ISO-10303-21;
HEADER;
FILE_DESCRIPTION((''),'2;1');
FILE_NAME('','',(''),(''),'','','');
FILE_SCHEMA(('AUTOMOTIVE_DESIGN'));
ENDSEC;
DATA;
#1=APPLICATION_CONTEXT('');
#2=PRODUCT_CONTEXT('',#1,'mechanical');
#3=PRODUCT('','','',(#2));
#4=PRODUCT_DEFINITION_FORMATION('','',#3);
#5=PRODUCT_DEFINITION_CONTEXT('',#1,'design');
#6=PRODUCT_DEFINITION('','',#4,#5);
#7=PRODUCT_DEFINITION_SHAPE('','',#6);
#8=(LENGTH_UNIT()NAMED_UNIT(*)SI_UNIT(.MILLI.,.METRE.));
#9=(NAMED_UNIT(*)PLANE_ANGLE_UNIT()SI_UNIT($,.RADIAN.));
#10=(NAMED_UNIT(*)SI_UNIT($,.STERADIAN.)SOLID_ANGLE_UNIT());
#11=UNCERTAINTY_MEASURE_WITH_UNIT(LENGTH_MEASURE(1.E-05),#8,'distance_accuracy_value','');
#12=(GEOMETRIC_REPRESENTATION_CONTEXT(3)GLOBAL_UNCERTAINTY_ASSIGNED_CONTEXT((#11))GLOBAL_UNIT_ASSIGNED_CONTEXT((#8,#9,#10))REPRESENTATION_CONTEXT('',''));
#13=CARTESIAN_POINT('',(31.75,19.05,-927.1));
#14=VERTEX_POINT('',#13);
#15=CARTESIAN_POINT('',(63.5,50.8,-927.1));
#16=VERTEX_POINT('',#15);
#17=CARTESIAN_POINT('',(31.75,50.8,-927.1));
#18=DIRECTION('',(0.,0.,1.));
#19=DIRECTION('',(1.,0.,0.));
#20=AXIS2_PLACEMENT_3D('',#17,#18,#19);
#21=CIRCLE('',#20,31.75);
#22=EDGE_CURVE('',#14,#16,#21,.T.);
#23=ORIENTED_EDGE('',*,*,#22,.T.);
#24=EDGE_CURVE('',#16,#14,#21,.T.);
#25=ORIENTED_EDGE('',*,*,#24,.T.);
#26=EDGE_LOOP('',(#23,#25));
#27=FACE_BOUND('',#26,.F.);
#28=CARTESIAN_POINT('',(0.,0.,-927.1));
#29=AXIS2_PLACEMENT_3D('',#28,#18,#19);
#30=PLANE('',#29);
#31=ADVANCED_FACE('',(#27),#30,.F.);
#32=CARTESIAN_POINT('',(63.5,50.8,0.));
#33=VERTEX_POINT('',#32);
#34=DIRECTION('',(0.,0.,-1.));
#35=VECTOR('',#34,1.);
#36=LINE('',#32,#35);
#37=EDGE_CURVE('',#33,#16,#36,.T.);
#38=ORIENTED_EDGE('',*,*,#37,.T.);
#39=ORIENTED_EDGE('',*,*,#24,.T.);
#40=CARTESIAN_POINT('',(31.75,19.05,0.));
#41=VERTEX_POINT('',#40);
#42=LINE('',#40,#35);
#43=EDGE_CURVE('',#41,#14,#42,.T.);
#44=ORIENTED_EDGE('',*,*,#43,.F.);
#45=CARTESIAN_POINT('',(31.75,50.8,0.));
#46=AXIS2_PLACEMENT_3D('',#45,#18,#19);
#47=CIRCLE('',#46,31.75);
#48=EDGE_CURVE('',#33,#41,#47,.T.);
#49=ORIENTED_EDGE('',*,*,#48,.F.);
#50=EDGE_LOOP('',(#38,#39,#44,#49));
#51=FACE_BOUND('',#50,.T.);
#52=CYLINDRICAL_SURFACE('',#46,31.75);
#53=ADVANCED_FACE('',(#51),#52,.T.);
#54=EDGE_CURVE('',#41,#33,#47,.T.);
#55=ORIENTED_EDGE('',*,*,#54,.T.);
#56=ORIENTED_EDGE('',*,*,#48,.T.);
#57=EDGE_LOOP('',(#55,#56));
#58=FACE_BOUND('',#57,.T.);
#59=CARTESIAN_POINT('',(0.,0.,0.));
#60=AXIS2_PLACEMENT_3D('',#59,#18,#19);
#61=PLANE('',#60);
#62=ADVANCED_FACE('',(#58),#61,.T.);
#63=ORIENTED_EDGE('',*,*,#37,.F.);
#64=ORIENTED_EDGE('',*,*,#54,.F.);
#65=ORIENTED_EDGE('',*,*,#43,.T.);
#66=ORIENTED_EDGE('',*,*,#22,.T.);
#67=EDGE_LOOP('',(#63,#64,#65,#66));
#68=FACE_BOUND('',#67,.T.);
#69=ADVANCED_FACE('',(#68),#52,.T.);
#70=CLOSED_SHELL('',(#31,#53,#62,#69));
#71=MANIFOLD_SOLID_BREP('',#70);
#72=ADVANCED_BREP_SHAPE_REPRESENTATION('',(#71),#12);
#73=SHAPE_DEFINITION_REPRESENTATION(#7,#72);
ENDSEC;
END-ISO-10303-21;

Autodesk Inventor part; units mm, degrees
ref_plane "YZ Plane" through (0, 0, 0) normal (1, 0, 0) x (0, 1, 0)
ref_plane "XZ Plane" through (0, 0, 0) normal (0, 1, 0) x (-1, 0, 0)
ref_plane "XY Plane" through (0, 0, 0) normal (0, 0, 1) x (1, 0, 0)
sketch "Sketch1" plane through (0, 0, 0) normal (0, 0, 1) x (1, 0, 0)
  circle A0 centre (31.75, 50.8) radius 31.75
  line L0 (0, 19.05) -> (127, 19.05) projected
  line L1 (0, 0) -> (0, 19.05) projected
  line L2 (0, 0) -> (0, 114.1819) construction
  dimension "d0" = 63.5
extrude "Extrusion1" add sketch "Sketch1" against normal blind 927.1
properties part number "Noodle"
